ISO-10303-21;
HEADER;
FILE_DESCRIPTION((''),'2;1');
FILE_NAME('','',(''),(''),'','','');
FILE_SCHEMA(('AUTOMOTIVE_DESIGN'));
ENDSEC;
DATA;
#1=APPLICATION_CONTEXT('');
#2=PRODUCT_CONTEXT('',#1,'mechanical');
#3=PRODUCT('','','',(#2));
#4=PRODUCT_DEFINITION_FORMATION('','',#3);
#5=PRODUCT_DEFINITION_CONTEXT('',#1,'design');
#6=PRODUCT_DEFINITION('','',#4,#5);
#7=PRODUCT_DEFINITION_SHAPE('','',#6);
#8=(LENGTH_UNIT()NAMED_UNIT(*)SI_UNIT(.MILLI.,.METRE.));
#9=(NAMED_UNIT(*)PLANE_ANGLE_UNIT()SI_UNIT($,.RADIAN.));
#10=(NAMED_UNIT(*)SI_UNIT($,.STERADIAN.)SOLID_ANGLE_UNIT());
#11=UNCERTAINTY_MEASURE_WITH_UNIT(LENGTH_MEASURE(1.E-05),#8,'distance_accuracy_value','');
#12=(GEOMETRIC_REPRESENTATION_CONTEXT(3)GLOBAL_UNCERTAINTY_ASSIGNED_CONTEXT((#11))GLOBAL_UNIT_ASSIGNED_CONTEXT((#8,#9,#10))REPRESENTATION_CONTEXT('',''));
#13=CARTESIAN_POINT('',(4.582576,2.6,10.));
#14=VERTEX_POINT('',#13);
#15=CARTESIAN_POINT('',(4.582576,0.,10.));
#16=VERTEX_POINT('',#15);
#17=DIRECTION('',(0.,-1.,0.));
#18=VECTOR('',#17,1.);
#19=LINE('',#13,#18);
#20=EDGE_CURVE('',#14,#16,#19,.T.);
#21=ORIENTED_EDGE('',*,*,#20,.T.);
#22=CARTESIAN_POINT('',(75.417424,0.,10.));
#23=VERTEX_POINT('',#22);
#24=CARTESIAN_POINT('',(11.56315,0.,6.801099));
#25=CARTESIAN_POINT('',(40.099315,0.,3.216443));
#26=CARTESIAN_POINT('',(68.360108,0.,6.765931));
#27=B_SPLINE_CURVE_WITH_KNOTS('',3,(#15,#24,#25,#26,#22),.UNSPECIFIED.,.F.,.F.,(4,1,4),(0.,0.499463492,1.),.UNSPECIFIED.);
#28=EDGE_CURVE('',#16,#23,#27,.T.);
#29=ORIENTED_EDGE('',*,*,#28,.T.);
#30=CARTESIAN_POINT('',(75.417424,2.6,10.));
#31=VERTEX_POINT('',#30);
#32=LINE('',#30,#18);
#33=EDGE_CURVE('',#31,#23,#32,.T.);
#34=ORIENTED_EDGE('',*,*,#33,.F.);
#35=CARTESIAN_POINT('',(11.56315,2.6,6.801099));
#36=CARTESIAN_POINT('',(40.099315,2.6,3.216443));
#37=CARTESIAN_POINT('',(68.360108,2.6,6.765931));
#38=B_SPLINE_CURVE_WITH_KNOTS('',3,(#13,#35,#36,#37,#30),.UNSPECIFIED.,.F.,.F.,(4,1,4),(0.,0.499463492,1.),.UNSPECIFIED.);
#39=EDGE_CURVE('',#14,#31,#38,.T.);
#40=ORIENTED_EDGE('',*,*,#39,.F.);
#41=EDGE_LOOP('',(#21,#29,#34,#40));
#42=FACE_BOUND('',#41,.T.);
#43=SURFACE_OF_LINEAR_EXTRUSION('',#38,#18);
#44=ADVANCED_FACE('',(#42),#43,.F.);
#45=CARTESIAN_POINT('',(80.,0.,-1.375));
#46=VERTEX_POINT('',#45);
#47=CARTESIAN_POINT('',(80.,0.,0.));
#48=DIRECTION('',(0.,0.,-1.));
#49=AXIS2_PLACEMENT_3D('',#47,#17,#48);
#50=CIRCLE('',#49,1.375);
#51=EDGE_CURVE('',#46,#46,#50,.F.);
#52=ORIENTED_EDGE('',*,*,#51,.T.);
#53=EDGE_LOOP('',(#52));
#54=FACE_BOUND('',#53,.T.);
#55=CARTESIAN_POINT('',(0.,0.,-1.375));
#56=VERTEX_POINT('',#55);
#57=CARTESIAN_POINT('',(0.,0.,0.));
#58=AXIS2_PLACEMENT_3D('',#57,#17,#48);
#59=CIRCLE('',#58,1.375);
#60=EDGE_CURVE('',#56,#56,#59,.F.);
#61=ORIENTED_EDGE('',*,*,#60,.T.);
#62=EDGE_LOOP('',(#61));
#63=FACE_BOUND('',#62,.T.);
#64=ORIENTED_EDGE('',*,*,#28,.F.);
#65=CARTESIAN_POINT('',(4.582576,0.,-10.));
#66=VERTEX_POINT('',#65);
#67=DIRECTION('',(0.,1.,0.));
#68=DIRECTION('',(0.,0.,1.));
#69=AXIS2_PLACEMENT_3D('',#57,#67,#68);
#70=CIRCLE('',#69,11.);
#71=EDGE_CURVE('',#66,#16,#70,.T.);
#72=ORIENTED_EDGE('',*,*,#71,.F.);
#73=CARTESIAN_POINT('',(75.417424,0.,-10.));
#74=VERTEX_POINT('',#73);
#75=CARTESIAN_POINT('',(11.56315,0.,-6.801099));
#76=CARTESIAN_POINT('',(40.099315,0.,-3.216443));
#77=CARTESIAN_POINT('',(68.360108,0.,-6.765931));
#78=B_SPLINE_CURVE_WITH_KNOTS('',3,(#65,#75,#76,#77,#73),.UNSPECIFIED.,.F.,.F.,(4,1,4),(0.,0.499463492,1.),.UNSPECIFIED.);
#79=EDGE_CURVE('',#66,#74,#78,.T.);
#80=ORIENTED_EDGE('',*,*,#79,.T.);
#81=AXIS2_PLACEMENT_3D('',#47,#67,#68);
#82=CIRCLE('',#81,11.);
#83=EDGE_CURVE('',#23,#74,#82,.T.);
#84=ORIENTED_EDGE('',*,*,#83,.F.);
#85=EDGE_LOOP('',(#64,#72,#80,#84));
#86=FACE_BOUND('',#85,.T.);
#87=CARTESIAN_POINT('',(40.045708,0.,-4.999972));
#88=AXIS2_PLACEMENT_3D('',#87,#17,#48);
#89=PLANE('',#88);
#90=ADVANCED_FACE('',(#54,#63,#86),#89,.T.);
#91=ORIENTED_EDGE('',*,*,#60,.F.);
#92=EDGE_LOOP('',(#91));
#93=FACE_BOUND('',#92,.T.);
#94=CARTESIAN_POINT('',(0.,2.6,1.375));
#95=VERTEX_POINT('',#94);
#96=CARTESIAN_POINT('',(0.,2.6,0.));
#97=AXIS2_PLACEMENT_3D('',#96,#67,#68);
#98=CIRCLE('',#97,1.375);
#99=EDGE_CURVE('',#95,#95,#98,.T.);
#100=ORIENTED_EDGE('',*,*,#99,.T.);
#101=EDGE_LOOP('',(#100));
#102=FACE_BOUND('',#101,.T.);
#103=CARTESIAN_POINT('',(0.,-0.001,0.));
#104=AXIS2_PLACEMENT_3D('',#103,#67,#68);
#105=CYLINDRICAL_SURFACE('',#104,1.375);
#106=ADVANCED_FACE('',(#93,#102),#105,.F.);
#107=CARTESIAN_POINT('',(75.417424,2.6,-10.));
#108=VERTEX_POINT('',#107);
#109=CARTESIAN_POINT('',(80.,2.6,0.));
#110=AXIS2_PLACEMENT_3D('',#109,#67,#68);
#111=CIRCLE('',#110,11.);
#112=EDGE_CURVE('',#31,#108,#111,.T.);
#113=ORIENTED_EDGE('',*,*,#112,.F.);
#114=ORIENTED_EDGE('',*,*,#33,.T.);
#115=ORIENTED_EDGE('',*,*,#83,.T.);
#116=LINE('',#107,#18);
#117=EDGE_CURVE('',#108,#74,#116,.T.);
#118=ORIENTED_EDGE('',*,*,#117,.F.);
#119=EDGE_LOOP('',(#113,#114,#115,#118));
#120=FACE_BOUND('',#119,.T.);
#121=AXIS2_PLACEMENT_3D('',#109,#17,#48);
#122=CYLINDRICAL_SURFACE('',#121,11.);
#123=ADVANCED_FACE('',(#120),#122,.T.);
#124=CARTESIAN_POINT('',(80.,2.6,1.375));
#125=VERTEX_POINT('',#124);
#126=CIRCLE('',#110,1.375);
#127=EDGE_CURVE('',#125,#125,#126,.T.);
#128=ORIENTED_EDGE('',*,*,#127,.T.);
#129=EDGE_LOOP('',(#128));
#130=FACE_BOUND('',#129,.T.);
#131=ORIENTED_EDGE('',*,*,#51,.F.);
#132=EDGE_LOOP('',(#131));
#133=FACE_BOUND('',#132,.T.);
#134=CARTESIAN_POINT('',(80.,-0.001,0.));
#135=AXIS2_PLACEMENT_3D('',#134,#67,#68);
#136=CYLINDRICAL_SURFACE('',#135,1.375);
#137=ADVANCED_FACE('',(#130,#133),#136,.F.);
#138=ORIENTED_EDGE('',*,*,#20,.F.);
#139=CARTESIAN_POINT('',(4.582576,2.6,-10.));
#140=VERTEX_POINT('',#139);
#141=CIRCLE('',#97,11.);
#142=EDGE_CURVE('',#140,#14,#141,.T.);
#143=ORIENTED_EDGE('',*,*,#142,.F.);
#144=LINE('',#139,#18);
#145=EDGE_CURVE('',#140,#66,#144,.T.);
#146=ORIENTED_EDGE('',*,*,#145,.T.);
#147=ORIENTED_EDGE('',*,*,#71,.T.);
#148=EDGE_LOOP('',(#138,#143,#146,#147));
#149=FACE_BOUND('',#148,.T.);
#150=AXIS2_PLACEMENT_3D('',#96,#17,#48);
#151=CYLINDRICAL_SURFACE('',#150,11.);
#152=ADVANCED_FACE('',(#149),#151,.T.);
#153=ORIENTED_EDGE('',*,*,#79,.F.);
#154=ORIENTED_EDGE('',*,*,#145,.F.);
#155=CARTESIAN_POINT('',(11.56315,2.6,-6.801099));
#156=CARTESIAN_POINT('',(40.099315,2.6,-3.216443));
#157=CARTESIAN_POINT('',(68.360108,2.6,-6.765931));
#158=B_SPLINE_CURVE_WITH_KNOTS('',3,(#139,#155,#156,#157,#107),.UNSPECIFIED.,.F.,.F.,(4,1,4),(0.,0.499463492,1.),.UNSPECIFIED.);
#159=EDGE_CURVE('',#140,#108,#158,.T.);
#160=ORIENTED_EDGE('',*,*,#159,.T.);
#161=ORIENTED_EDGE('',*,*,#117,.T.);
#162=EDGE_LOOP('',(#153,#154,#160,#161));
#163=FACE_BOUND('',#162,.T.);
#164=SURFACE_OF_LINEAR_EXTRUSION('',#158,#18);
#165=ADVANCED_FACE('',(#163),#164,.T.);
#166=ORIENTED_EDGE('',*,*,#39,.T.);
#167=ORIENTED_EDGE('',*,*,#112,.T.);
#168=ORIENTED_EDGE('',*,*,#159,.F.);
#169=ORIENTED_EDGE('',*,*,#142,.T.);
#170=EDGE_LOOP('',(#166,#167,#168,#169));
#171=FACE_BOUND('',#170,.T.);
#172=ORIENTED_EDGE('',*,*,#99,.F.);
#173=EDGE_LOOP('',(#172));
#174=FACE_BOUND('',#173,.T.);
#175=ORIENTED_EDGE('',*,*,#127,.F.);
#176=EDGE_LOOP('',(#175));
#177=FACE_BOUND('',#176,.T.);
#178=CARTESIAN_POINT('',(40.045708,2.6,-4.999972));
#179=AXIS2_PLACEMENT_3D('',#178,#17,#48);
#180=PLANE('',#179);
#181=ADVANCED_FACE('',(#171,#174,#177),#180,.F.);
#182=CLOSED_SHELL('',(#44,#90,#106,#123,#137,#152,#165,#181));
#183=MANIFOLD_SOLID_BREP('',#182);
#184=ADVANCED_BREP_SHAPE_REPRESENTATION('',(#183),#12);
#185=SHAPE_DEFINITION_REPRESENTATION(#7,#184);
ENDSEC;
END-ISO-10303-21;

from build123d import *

# Parameters (mm, degrees)
BOSS_EXTRUDE1_DEPTH = 2.6
CUT_EXTRUDE1_REACH  = 93.699
SKETCH3_R           = 1.375


with BuildPart() as part:
    # Sketch1 → Boss-Extrude1 (new body)
    with BuildSketch(Plane(origin=(0, 0, 0), x_dir=(1, 0, 0), z_dir=(0, 1, 0))):
        with BuildLine():
            ThreePointArc((4.582575695, 10), (-11, 0), (4.582575695, -10))
            add(Edge.make_bspline(
                [(4.582575695, -10), (11.56314995, -6.801099008), (40.099315353, -3.216443036), (68.360107676, -6.765931234), (75.417424305, -10)],
                knots=[0, 0, 0, 0, 0.499463492, 1, 1, 1, 1], degree=3))
            ThreePointArc((75.417424305, -10), (91, 0), (75.417424305, 10))
            add(Edge.make_bspline(
                [(4.582575695, 10), (11.56314995, 6.801099008), (40.099315353, 3.216443036), (68.360107676, 6.765931234), (75.417424305, 10)],
                knots=[0, 0, 0, 0, 0.499463492, 1, 1, 1, 1], degree=3))
        make_face()
    extrude(amount=BOSS_EXTRUDE1_DEPTH)

    # Sketch3 → Cut-Extrude1 (cut, up to next)
    with BuildSketch(Plane(origin=(0, 2.6, 0), x_dir=(1, 0, 0), z_dir=(0, 1, 0)), mode=Mode.PRIVATE) as cut_extrude1_sk1:
        with Locations(Location((0, 0, 0), (0, 0, 270))):
            Circle(SKETCH3_R)
    cut_extrude1_tool1 = extrude(cut_extrude1_sk1.sketch, amount=-CUT_EXTRUDE1_REACH, mode=Mode.PRIVATE) & part.part
    # Sketch3 → Cut-Extrude1 (cut, up to next)
    with BuildSketch(Plane(origin=(0, 2.6, 0), x_dir=(1, 0, 0), z_dir=(0, 1, 0)), mode=Mode.PRIVATE) as cut_extrude1_sk2:
        with Locations(Location((80, 0, 0), (0, 0, 270))):
            Circle(SKETCH3_R)
    cut_extrude1_tool2 = extrude(cut_extrude1_sk2.sketch, amount=-CUT_EXTRUDE1_REACH, mode=Mode.PRIVATE) & part.part
    add(cut_extrude1_tool1.solids().sort_by_distance((0, 2.6, 0))[0], mode=Mode.SUBTRACT)
    add(cut_extrude1_tool2.solids().sort_by_distance((80, 2.6, 0))[0], mode=Mode.SUBTRACT)


solid = part.part
